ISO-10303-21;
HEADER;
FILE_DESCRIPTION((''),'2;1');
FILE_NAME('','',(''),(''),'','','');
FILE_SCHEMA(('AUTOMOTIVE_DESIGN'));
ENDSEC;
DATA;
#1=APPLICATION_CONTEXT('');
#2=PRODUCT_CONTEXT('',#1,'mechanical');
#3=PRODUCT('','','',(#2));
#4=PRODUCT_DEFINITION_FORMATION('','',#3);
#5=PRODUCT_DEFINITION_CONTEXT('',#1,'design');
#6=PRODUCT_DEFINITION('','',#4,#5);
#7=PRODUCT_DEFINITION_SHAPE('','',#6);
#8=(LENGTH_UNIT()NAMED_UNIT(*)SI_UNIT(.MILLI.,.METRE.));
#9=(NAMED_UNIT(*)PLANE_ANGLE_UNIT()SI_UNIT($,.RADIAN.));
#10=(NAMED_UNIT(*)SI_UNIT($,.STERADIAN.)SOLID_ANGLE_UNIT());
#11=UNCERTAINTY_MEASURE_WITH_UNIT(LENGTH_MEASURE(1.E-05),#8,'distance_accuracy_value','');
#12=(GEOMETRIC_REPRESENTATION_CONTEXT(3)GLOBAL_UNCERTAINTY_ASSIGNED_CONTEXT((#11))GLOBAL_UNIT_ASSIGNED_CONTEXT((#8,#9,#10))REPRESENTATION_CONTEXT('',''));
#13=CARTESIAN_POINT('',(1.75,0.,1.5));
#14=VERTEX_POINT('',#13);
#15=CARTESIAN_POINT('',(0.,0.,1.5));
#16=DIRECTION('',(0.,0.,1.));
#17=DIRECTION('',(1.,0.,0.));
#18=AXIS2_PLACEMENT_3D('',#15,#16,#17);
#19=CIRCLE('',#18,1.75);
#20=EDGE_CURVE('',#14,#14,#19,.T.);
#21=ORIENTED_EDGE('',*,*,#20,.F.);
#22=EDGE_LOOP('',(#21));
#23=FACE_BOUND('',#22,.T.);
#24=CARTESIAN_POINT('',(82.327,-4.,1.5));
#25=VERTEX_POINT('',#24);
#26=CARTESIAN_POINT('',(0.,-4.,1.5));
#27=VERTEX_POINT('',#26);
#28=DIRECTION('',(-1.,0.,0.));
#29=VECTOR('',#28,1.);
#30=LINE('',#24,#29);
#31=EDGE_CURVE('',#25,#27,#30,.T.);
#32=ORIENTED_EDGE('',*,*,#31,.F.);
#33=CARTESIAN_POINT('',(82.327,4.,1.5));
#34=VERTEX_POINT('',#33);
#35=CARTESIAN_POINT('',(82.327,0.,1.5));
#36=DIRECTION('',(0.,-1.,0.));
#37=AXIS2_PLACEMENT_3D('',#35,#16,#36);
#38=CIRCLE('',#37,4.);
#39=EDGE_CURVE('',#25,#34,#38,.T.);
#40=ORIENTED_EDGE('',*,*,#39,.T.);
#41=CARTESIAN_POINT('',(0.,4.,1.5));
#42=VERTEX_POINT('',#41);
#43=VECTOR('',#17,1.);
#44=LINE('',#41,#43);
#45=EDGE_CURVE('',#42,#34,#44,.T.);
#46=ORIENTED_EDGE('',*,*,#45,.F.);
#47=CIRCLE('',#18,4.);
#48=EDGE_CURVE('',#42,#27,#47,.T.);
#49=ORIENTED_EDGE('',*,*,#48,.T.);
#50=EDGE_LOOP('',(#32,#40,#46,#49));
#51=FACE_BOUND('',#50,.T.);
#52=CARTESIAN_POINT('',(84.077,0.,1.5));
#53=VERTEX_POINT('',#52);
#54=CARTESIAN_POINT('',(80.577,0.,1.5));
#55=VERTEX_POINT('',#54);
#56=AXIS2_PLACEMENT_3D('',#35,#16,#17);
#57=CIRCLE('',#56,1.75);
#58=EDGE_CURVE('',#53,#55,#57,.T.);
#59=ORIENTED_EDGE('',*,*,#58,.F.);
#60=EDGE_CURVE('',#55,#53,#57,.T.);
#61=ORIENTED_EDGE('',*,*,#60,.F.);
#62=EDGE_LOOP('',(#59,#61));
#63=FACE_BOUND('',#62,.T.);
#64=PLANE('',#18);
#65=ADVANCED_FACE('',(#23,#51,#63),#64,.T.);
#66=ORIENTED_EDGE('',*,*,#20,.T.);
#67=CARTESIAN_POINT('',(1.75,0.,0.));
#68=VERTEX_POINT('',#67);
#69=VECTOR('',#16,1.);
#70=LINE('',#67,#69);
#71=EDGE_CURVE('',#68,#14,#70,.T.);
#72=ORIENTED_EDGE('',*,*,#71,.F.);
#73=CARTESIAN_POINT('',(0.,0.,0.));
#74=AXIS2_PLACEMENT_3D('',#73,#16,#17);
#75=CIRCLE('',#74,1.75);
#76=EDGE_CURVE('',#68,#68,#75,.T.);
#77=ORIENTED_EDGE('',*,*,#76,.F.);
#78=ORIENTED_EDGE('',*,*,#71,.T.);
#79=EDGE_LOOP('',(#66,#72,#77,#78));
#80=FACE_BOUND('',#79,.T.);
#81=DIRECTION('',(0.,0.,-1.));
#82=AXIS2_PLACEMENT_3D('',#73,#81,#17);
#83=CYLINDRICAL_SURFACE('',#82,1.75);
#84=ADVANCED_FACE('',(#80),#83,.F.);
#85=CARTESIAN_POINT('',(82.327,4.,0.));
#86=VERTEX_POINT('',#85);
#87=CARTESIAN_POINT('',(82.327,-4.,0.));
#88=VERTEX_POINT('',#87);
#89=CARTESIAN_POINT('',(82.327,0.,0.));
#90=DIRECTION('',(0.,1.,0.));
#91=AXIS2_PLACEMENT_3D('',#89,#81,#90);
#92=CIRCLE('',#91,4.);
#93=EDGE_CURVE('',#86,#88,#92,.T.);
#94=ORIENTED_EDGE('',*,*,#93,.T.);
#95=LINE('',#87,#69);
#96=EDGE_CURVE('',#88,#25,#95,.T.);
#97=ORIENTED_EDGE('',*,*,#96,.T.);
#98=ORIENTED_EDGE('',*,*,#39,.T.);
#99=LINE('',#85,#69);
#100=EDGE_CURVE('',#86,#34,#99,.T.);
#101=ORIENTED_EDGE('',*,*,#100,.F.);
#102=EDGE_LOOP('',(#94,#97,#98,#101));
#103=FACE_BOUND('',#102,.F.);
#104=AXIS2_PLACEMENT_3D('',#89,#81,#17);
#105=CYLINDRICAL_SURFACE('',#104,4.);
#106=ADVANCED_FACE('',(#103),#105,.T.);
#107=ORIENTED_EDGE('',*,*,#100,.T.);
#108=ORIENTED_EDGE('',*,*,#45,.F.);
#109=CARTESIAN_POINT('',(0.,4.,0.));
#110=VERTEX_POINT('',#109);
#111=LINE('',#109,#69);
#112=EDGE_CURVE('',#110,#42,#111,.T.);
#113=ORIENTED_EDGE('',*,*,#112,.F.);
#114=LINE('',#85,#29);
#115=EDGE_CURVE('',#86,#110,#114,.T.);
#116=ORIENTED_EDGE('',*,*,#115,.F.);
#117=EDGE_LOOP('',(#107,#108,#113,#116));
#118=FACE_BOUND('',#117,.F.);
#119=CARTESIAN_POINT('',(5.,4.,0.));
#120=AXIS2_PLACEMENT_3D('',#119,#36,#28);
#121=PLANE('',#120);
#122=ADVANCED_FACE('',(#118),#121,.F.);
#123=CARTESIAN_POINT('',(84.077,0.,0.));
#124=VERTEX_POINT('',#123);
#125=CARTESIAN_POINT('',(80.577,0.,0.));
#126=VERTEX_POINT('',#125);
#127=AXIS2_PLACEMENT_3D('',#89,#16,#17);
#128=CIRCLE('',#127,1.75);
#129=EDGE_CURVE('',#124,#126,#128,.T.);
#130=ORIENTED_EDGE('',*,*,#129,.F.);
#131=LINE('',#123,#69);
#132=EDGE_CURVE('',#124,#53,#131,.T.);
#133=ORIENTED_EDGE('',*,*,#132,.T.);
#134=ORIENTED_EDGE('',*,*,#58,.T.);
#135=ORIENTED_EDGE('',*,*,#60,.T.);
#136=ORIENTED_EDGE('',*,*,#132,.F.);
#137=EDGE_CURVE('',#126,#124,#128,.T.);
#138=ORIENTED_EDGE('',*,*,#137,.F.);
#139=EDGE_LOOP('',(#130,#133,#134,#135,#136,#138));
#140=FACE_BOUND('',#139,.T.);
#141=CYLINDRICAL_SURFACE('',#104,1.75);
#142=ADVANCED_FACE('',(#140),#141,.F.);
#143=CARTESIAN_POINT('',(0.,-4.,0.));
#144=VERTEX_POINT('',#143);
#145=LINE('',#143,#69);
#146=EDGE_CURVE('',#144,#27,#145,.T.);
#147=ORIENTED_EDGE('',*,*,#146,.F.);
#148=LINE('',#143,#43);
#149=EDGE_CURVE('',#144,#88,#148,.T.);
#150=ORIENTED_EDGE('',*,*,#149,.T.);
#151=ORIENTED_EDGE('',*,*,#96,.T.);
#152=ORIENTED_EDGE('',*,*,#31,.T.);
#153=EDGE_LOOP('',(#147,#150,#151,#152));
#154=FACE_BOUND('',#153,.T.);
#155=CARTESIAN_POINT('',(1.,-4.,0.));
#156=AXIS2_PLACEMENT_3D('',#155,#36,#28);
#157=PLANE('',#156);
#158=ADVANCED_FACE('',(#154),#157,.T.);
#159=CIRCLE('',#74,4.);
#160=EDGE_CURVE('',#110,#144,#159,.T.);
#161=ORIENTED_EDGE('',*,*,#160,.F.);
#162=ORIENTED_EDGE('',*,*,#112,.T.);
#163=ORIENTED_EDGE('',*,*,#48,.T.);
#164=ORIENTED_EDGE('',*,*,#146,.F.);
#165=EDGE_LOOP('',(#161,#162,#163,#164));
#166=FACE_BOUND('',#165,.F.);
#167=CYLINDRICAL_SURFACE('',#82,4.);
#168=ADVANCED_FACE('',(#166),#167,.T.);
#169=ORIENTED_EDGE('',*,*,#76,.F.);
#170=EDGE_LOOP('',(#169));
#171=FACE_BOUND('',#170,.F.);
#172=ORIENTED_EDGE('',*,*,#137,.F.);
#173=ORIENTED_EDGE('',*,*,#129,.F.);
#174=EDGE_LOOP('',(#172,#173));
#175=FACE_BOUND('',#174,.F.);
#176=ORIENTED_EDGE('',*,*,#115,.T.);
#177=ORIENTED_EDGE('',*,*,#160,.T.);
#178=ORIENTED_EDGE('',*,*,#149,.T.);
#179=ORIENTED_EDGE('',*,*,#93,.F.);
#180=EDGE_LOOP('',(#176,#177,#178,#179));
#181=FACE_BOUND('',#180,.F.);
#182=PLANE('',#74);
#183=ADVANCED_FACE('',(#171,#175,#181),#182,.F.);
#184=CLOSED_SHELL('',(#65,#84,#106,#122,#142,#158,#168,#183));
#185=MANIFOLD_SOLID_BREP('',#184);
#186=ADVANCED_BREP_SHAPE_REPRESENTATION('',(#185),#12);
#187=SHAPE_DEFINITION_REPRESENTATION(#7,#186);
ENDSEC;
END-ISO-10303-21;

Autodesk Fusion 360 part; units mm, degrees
sketch "スケッチ1" plane through (0, 0, 0) normal (0, 0, 1) x (1, 0, 0)
  line L0 (0, 0) -> (82.327, 0)
  circle A0 centre (0, 0) radius 1.75
  circle A1 centre (82.327, 0) radius 1.75
  circle A2 centre (0, 0) radius 4
  circle A3 centre (82.327, 0) radius 4
  line L1 (5, 4) -> (0, 4)
  line L2 (5, 4) -> (82.327, 4)
  line L3 (1, -4) -> (0, -4)
  line L4 (1, -4) -> (82.327, -4)
  dimension "d1" = 82.327
  dimension "d2" = 3.5
  dimension "d3" = 3.5
  dimension "d4" = 8
  dimension "d5" = 8
extrude "押し出し1" add sketch "スケッチ1" along normal blind 2
extrude "押し出し2" cut 1 faces at (53.8847, -2.6667, 2) along direction (0, 0, -1) blind 0.5
